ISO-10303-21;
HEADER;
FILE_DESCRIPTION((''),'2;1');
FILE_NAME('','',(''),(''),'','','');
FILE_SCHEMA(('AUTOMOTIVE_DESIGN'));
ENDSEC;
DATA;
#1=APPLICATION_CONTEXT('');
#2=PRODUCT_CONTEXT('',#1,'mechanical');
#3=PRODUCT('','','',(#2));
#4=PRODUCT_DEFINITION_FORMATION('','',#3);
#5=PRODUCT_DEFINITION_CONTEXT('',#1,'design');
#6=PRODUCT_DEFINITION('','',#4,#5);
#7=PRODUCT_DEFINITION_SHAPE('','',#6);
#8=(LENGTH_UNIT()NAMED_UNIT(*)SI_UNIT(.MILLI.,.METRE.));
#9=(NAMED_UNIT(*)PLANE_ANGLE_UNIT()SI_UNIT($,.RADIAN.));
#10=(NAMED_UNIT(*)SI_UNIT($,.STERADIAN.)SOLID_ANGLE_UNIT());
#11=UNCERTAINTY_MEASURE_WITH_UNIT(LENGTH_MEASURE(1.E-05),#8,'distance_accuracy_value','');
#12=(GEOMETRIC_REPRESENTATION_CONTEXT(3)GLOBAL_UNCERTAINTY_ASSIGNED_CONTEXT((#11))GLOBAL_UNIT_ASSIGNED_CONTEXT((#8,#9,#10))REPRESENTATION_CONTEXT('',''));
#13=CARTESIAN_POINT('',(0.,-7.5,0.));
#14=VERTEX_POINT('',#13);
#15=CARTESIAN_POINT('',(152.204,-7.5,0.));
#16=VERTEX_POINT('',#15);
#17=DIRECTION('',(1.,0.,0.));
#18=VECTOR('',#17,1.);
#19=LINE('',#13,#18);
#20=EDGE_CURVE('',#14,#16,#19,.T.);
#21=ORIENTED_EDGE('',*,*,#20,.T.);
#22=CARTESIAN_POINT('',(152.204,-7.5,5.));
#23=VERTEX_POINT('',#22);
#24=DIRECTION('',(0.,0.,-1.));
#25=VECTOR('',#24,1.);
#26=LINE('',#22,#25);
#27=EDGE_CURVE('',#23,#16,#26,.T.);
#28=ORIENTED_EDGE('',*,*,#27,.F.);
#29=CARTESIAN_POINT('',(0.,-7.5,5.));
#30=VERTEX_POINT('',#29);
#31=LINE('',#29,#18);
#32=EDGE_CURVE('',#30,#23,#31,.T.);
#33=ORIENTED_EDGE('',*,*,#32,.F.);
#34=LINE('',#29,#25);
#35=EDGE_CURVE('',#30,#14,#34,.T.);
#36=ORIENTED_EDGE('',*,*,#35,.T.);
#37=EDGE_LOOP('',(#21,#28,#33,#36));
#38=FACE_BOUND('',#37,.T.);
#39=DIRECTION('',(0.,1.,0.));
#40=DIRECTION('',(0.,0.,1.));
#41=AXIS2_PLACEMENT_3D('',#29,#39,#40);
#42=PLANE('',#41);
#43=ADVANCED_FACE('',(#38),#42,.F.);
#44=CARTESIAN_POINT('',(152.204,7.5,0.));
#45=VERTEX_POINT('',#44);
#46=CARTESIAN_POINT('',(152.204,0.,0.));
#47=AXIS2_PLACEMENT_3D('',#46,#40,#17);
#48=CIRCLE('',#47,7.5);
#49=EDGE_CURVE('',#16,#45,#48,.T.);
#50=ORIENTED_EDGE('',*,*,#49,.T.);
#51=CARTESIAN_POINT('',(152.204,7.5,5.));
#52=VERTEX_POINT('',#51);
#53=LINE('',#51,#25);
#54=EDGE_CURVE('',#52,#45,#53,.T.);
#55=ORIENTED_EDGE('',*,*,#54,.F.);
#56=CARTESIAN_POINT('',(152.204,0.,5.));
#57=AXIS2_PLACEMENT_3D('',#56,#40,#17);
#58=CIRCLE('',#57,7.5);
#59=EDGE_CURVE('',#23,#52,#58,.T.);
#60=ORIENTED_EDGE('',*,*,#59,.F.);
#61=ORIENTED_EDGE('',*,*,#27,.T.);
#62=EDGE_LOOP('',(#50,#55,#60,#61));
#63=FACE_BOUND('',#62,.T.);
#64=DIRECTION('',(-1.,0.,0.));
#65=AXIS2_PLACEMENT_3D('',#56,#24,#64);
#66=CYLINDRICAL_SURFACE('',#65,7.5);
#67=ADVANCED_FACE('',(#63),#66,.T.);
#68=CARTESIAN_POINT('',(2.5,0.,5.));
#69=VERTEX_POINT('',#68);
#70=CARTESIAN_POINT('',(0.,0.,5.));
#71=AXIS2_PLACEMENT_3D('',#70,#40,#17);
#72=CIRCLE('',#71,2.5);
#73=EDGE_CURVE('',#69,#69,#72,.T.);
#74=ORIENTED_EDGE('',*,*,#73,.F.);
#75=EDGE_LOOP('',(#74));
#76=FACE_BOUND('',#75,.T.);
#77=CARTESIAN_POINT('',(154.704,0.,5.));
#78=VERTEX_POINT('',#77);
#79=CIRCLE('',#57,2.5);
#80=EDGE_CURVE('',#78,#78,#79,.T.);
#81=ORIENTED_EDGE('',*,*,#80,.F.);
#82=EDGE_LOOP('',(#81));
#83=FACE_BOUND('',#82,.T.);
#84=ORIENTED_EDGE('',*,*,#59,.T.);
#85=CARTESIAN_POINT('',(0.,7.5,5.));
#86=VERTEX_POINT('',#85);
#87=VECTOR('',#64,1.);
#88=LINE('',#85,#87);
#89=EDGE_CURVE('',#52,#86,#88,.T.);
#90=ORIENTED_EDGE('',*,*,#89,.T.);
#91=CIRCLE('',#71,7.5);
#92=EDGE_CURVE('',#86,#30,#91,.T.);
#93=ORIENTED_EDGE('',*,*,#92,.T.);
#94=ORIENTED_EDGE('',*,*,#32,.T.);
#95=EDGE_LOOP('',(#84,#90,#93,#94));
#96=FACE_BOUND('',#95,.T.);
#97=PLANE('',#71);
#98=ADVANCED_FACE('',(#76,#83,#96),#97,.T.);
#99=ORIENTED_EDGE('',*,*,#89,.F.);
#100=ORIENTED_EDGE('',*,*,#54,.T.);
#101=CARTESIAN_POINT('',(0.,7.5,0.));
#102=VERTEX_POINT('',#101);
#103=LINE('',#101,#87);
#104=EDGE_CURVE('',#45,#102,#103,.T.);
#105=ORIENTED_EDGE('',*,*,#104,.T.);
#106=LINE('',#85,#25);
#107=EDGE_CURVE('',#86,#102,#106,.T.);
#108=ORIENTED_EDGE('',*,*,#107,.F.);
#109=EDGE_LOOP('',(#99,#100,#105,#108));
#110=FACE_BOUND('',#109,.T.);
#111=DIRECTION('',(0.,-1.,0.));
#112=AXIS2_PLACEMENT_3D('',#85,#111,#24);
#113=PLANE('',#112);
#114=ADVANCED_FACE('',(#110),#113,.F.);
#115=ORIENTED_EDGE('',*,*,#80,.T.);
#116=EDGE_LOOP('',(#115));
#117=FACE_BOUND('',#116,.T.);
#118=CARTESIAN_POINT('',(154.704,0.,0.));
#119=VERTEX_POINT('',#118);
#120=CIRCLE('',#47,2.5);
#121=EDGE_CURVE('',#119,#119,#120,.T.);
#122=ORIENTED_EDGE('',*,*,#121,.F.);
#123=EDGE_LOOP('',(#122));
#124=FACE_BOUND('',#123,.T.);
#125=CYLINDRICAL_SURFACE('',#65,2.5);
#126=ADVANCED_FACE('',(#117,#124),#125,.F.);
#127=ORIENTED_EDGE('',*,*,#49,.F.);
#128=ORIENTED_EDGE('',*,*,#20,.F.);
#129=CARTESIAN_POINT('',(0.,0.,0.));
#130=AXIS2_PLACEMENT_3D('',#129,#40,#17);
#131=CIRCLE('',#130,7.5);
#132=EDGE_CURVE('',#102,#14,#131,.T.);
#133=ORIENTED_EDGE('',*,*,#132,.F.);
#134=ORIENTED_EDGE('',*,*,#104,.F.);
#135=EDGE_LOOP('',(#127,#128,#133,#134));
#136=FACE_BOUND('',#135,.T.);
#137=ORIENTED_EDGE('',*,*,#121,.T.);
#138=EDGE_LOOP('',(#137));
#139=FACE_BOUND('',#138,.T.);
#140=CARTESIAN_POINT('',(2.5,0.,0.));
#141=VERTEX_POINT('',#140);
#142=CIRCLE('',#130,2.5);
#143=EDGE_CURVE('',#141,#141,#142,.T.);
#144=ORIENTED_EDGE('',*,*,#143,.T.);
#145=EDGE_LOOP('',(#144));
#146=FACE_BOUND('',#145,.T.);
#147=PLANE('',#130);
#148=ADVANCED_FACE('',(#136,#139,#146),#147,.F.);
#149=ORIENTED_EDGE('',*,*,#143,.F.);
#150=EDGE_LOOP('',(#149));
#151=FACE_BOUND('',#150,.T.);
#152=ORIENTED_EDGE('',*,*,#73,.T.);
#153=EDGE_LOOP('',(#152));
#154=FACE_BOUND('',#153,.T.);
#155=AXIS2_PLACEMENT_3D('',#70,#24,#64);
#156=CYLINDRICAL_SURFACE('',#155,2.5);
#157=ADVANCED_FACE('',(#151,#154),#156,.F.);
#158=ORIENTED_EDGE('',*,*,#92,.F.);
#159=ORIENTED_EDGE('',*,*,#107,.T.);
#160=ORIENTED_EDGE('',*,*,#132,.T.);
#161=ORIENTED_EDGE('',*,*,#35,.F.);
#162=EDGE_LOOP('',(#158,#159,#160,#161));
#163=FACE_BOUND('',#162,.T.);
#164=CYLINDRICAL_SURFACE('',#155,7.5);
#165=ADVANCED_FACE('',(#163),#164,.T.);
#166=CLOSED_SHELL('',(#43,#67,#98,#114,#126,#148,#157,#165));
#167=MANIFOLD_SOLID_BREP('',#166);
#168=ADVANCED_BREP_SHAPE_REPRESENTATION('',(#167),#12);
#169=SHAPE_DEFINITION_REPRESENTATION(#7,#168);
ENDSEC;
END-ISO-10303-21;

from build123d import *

# Parameters (mm, degrees)
SKETCH1_R           = 2.5
BOSS_EXTRUDE1_DEPTH = 5


with BuildPart() as part:
    # Sketch1 → Boss-Extrude1 (new body)
    with BuildSketch(Plane.XY):
        with BuildLine():
            Line((0, 7.5), (152.204, 7.5))
            ThreePointArc((152.204, 7.5), (159.704, 0), (152.204, -7.5))
            Line((152.204, -7.5), (0, -7.5))
            ThreePointArc((0, -7.5), (-7.5, 0), (0, 7.5))
        make_face()
        Circle(SKETCH1_R, mode=Mode.SUBTRACT)
        with Locations((152.204, 0)):
            Circle(SKETCH1_R, mode=Mode.SUBTRACT)
    extrude(amount=BOSS_EXTRUDE1_DEPTH)


solid = part.part
